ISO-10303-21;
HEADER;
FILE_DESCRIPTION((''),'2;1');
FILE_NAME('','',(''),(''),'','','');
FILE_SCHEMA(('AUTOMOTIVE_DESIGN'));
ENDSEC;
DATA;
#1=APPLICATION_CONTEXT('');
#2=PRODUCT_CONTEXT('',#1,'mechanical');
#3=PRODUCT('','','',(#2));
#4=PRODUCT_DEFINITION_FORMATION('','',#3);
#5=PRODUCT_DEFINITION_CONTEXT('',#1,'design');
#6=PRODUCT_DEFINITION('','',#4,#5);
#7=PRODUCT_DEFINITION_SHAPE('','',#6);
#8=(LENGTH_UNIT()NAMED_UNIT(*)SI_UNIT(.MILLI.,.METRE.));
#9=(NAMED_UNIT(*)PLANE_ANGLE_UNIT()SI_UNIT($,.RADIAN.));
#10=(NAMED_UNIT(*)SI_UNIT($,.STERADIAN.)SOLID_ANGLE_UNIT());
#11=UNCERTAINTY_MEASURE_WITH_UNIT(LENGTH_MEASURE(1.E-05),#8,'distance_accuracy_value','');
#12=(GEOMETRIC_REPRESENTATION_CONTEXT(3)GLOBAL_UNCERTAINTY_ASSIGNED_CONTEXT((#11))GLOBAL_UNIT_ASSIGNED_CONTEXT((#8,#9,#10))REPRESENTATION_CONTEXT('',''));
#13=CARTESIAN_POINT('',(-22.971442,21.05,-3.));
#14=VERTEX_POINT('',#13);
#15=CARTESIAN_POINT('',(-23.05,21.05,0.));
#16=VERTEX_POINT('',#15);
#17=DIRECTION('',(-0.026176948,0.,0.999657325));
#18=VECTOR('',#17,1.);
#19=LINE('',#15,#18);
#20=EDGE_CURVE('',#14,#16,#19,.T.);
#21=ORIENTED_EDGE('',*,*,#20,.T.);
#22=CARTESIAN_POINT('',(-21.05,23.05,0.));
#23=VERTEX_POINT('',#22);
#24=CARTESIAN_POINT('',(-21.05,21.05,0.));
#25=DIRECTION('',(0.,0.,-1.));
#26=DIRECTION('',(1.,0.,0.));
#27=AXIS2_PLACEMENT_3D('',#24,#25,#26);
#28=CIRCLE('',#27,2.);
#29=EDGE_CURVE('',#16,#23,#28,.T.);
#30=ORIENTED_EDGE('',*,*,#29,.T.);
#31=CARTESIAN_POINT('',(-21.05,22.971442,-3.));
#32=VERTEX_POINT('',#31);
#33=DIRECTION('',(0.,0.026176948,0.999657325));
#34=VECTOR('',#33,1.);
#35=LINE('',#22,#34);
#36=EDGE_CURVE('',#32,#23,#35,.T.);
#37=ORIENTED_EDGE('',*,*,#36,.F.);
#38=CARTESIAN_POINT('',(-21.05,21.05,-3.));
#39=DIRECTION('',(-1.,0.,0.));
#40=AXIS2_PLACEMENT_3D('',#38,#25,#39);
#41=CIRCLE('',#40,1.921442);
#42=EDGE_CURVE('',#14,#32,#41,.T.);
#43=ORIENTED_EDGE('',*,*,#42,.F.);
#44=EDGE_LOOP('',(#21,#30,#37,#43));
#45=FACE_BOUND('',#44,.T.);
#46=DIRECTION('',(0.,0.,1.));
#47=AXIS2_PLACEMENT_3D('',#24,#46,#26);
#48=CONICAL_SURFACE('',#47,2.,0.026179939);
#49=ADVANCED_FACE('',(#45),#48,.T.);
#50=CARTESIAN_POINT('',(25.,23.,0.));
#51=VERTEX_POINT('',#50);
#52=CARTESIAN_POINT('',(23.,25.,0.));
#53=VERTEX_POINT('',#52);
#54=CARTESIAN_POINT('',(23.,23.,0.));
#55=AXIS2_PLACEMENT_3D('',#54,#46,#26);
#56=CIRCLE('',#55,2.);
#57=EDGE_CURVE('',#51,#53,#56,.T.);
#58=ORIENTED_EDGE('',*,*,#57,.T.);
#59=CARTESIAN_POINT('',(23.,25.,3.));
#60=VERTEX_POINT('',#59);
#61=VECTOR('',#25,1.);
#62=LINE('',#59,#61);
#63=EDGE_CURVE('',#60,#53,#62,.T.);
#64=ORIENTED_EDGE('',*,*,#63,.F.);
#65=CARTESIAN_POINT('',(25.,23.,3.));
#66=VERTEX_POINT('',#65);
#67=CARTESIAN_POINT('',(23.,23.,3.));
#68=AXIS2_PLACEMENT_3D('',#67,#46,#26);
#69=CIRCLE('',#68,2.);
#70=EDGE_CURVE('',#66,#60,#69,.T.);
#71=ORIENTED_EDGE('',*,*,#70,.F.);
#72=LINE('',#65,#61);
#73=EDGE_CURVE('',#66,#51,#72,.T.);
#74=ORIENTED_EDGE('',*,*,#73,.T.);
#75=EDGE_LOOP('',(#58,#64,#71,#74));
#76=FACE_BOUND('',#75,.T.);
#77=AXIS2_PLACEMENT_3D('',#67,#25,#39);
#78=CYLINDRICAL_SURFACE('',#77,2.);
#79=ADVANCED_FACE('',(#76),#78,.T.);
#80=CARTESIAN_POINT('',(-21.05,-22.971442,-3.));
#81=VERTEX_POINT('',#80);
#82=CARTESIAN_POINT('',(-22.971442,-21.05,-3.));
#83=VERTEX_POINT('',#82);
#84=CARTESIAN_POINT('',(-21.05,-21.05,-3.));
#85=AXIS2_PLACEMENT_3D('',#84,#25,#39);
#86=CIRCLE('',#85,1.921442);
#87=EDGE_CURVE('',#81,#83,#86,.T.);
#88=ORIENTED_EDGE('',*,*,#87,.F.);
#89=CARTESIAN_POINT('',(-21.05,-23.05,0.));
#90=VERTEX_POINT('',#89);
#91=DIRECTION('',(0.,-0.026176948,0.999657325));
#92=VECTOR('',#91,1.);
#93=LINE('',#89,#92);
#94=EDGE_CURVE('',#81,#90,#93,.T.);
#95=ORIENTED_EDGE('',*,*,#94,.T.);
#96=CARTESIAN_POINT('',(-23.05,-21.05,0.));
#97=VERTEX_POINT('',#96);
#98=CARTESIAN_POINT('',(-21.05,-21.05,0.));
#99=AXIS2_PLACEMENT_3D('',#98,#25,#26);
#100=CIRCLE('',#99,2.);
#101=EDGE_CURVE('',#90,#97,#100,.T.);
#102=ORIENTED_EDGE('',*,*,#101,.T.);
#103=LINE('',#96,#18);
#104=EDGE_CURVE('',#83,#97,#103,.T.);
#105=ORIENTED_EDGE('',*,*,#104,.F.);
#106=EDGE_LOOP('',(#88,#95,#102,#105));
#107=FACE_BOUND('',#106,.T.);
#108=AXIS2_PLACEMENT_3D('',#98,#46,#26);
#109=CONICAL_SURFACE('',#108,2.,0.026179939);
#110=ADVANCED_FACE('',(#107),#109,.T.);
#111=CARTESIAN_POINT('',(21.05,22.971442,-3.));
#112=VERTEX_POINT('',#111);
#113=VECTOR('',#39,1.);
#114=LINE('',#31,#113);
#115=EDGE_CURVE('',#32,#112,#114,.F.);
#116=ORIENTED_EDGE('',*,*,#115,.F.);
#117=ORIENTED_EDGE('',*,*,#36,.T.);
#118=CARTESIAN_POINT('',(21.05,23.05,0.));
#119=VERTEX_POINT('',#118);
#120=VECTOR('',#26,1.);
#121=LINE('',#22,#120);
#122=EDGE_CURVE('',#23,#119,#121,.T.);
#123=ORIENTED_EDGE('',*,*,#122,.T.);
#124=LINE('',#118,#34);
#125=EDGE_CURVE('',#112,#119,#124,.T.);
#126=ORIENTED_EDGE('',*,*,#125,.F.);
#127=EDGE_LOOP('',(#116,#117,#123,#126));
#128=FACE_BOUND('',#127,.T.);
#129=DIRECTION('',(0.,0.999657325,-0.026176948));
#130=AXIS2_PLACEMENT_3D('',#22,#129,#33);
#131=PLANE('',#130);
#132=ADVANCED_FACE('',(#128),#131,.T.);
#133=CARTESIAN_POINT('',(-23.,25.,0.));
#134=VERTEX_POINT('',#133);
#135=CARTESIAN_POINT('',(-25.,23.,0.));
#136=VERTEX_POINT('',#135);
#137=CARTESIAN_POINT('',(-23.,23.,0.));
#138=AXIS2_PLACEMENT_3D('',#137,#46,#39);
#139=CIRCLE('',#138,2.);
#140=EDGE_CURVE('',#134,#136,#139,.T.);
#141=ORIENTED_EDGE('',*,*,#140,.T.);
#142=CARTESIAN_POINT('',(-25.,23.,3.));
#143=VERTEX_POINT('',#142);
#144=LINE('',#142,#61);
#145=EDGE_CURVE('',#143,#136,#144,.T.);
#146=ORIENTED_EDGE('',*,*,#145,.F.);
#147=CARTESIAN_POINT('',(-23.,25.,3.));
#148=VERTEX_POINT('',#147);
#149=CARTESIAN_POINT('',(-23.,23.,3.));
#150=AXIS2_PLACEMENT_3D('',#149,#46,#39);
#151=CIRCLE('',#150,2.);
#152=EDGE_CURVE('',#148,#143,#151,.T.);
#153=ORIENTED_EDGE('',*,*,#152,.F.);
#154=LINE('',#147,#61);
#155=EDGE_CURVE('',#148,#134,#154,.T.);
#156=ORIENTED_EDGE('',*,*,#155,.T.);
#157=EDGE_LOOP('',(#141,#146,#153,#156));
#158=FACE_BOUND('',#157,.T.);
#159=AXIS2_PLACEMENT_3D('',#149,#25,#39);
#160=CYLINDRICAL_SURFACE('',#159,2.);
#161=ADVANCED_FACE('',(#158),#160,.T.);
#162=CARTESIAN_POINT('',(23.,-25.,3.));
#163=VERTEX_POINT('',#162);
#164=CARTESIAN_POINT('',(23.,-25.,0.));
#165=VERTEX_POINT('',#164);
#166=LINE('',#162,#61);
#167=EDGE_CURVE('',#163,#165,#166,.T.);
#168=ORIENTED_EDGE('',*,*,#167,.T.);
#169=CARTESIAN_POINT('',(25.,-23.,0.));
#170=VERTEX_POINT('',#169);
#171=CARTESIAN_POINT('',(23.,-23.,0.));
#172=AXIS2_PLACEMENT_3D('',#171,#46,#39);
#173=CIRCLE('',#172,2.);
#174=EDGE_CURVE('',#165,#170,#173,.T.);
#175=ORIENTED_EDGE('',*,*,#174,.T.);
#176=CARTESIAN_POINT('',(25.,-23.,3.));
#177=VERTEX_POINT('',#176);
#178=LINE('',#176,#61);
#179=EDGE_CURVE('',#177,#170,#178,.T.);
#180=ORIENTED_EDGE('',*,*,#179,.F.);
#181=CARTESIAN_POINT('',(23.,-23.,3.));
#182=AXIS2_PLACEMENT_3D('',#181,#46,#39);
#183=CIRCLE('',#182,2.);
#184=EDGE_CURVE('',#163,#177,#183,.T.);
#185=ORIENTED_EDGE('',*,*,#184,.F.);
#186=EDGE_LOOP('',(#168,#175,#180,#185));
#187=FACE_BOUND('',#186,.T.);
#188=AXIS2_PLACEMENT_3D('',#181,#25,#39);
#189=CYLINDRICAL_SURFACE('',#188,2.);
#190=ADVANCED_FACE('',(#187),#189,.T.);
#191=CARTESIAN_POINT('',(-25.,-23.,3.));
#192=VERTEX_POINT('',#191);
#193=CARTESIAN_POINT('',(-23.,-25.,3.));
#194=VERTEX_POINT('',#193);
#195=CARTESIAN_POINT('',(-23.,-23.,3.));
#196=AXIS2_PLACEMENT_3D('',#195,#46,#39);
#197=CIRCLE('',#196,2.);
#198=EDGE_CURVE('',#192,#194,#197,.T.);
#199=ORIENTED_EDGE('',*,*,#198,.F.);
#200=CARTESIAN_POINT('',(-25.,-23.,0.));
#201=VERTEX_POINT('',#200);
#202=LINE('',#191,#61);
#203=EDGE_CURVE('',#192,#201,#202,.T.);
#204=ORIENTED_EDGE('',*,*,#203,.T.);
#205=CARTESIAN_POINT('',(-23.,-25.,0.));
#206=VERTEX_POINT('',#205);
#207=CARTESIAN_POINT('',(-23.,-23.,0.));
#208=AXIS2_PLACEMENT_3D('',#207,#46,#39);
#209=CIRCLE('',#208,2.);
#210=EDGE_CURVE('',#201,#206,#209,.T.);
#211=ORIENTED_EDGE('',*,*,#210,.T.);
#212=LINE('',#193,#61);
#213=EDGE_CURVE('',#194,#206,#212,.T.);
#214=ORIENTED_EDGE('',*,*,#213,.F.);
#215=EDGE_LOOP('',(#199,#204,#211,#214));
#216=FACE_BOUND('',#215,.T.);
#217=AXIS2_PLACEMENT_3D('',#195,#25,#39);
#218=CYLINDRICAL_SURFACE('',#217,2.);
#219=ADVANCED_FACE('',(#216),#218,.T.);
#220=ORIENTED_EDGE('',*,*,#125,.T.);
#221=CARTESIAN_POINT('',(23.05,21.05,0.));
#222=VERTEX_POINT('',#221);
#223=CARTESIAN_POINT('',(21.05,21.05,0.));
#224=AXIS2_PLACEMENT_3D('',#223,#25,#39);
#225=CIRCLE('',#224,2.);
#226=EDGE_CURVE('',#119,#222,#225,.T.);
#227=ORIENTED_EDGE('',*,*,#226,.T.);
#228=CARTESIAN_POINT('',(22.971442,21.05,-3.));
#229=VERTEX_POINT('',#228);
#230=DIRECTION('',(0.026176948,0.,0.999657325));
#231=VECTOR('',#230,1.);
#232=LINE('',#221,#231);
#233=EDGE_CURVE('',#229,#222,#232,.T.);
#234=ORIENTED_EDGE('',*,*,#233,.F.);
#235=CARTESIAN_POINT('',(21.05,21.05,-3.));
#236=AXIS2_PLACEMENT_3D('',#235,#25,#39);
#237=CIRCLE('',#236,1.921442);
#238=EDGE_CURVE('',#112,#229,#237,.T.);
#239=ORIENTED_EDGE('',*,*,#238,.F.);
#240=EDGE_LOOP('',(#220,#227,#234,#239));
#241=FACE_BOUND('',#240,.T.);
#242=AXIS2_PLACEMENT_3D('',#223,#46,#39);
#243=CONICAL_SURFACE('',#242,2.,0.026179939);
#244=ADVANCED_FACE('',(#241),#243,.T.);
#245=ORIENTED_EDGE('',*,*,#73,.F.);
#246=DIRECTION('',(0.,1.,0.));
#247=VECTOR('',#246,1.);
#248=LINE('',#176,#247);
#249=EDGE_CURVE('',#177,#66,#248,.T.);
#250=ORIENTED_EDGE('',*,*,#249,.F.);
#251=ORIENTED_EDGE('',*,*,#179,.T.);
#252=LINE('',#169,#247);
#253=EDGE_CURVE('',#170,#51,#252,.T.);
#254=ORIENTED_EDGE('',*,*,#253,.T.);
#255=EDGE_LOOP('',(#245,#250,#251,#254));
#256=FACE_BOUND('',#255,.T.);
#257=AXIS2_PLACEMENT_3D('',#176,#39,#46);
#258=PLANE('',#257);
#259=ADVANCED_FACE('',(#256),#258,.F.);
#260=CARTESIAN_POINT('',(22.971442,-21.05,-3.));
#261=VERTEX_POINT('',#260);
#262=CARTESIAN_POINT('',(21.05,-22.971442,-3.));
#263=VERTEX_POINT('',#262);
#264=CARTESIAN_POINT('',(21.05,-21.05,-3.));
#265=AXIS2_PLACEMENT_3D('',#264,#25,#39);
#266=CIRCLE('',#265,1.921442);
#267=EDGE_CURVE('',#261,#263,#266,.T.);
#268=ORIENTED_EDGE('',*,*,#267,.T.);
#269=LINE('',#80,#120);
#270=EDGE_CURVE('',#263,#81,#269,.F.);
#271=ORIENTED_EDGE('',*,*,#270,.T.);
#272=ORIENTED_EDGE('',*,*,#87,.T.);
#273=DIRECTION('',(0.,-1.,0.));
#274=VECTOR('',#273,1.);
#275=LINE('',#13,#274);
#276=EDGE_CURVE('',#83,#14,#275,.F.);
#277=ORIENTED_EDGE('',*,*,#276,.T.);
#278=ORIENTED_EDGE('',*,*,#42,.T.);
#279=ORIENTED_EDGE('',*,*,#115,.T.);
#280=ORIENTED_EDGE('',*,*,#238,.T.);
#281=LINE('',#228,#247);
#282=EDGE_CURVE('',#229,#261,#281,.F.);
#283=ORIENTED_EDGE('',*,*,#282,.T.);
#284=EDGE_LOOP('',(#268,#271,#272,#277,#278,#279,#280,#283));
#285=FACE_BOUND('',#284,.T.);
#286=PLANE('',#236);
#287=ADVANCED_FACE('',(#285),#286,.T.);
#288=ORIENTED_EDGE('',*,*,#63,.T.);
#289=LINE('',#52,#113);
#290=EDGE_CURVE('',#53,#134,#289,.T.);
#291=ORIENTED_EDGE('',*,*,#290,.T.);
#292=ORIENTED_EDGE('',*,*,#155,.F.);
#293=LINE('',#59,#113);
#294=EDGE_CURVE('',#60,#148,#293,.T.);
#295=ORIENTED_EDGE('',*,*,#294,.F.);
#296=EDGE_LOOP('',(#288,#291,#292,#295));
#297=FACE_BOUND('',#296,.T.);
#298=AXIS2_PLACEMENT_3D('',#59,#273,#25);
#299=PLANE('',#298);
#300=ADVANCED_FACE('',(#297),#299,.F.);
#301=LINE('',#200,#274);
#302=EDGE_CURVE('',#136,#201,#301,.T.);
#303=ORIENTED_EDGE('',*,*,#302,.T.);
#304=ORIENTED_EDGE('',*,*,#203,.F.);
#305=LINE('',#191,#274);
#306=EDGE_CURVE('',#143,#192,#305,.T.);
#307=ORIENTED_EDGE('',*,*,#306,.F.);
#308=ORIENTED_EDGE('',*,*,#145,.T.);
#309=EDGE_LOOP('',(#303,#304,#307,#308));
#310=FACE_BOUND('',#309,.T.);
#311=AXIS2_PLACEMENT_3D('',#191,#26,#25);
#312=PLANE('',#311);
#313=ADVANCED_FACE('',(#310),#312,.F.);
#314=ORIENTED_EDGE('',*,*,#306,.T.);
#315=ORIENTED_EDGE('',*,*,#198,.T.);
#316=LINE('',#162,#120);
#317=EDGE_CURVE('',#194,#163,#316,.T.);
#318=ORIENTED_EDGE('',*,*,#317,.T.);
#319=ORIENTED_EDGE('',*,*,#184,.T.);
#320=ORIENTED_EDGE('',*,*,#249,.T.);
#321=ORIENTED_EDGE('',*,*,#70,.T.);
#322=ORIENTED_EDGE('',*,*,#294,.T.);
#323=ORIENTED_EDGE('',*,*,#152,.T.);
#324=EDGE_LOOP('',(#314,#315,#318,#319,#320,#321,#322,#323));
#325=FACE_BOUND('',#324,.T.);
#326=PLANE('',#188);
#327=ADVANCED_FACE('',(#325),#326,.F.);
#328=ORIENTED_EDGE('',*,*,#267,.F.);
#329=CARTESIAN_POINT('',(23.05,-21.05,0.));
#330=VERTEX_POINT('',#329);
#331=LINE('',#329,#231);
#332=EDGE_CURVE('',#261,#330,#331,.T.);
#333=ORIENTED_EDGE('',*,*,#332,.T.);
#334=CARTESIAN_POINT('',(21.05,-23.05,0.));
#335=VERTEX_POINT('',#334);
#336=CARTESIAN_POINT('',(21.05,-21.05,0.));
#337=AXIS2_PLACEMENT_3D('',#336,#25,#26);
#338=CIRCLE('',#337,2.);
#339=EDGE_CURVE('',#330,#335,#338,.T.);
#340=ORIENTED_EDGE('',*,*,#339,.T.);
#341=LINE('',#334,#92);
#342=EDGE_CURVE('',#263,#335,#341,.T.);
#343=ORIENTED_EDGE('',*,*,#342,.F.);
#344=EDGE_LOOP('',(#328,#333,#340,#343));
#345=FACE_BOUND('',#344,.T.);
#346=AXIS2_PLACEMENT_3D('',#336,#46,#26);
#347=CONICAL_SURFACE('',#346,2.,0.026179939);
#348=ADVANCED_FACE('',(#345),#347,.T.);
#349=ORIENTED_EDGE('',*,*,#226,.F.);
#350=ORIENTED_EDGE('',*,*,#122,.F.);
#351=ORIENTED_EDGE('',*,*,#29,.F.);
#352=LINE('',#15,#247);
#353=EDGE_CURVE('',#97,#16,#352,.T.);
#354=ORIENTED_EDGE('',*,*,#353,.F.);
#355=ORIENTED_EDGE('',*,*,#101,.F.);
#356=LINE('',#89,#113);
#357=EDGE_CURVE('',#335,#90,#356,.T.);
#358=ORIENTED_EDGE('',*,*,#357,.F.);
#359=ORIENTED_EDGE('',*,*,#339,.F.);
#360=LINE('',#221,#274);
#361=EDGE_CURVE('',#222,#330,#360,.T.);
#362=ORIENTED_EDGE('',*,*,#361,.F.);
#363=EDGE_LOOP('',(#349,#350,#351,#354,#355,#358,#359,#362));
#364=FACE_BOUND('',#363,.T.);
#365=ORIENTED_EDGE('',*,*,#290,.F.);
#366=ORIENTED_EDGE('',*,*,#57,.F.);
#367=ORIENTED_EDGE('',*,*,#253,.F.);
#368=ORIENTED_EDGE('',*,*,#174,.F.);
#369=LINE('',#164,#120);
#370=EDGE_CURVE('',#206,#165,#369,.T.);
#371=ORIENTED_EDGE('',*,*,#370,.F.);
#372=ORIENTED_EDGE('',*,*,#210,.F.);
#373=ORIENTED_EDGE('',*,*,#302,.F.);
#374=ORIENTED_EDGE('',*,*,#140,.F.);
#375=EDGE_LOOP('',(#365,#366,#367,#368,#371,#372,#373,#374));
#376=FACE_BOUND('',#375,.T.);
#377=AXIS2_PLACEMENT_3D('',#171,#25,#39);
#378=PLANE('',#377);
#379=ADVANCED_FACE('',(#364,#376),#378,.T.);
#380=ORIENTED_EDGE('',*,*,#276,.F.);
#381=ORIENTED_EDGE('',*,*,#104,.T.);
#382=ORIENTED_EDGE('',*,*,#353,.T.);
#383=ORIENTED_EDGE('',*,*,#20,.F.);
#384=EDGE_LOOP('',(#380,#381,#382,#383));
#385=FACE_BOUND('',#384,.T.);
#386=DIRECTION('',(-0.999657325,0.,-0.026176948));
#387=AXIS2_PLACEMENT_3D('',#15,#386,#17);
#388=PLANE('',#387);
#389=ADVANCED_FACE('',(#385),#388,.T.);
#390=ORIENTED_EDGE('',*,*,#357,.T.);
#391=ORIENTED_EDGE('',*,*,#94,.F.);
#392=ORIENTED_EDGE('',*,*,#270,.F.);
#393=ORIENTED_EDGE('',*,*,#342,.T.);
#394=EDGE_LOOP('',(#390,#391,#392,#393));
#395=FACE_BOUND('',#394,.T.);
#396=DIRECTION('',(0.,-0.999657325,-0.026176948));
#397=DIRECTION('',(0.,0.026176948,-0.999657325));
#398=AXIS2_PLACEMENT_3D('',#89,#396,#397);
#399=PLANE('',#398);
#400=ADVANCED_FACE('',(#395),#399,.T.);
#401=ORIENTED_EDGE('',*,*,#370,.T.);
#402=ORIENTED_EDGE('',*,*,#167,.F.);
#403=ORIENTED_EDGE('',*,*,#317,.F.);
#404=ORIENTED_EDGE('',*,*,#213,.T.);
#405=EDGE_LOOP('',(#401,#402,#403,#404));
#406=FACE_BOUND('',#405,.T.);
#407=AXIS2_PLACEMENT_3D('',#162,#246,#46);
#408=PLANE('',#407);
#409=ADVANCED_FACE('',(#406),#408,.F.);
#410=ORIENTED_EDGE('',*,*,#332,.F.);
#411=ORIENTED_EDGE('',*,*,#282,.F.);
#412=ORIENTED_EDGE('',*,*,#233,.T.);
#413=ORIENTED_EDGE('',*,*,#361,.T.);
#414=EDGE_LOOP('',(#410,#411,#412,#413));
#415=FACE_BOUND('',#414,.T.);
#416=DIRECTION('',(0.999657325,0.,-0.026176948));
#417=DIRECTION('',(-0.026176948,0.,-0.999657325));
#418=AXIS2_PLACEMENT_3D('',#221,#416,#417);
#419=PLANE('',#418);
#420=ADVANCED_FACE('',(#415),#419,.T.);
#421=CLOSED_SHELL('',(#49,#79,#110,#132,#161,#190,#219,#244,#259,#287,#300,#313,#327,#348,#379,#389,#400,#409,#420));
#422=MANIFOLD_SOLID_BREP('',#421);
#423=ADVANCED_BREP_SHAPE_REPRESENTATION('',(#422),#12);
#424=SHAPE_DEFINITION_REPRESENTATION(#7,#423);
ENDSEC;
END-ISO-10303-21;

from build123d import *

# Parameters (mm, degrees)
BOSS_EXTRUDE1_DEPTH = 3
BOSS_EXTRUDE2_DEPTH = 3
BOSS_EXTRUDE2_TAPER = 1.5


with BuildPart() as part:
    # Sketch1 → Boss-Extrude1 (new body)
    with BuildSketch(Plane(origin=(0, 0, 0), x_dir=(0, 1, 0), z_dir=(0, 0, 1))):
        with BuildLine():
            Line((-23, -25), (23, -25))
            ThreePointArc((23, -25), (24.414213562, -24.414213562), (25, -23))
            Line((25, -23), (25, 23))
            ThreePointArc((25, 23), (24.414213562, 24.414213562), (23, 25))
            Line((23, 25), (-23, 25))
            ThreePointArc((-23, 25), (-24.414213562, 24.414213562), (-25, 23))
            Line((-25, 23), (-25, -23))
            ThreePointArc((-25, -23), (-24.414213562, -24.414213562), (-23, -25))
        make_face()
    extrude(amount=BOSS_EXTRUDE1_DEPTH)

    # Sketch2 → Boss-Extrude2 (add)
    with BuildSketch(Plane(origin=(0, 0, 0), x_dir=(1, 0, 0), z_dir=(0, 0, -1))):
        with BuildLine():
            Line((-21.05, -23.05), (21.05, -23.05))
            ThreePointArc((21.05, -23.05), (22.464213562, -22.464213562), (23.05, -21.05))
            Line((23.05, -21.05), (23.05, 21.05))
            ThreePointArc((23.05, 21.05), (22.464213562, 22.464213562), (21.05, 23.05))
            Line((21.05, 23.05), (-21.05, 23.05))
            ThreePointArc((-21.05, 23.05), (-22.464213562, 22.464213562), (-23.05, 21.05))
            Line((-23.05, 21.05), (-23.05, -21.05))
            ThreePointArc((-23.05, -21.05), (-22.464213562, -22.464213562), (-21.05, -23.05))
        make_face()
    extrude(amount=BOSS_EXTRUDE2_DEPTH, taper=BOSS_EXTRUDE2_TAPER)


solid = part.part
